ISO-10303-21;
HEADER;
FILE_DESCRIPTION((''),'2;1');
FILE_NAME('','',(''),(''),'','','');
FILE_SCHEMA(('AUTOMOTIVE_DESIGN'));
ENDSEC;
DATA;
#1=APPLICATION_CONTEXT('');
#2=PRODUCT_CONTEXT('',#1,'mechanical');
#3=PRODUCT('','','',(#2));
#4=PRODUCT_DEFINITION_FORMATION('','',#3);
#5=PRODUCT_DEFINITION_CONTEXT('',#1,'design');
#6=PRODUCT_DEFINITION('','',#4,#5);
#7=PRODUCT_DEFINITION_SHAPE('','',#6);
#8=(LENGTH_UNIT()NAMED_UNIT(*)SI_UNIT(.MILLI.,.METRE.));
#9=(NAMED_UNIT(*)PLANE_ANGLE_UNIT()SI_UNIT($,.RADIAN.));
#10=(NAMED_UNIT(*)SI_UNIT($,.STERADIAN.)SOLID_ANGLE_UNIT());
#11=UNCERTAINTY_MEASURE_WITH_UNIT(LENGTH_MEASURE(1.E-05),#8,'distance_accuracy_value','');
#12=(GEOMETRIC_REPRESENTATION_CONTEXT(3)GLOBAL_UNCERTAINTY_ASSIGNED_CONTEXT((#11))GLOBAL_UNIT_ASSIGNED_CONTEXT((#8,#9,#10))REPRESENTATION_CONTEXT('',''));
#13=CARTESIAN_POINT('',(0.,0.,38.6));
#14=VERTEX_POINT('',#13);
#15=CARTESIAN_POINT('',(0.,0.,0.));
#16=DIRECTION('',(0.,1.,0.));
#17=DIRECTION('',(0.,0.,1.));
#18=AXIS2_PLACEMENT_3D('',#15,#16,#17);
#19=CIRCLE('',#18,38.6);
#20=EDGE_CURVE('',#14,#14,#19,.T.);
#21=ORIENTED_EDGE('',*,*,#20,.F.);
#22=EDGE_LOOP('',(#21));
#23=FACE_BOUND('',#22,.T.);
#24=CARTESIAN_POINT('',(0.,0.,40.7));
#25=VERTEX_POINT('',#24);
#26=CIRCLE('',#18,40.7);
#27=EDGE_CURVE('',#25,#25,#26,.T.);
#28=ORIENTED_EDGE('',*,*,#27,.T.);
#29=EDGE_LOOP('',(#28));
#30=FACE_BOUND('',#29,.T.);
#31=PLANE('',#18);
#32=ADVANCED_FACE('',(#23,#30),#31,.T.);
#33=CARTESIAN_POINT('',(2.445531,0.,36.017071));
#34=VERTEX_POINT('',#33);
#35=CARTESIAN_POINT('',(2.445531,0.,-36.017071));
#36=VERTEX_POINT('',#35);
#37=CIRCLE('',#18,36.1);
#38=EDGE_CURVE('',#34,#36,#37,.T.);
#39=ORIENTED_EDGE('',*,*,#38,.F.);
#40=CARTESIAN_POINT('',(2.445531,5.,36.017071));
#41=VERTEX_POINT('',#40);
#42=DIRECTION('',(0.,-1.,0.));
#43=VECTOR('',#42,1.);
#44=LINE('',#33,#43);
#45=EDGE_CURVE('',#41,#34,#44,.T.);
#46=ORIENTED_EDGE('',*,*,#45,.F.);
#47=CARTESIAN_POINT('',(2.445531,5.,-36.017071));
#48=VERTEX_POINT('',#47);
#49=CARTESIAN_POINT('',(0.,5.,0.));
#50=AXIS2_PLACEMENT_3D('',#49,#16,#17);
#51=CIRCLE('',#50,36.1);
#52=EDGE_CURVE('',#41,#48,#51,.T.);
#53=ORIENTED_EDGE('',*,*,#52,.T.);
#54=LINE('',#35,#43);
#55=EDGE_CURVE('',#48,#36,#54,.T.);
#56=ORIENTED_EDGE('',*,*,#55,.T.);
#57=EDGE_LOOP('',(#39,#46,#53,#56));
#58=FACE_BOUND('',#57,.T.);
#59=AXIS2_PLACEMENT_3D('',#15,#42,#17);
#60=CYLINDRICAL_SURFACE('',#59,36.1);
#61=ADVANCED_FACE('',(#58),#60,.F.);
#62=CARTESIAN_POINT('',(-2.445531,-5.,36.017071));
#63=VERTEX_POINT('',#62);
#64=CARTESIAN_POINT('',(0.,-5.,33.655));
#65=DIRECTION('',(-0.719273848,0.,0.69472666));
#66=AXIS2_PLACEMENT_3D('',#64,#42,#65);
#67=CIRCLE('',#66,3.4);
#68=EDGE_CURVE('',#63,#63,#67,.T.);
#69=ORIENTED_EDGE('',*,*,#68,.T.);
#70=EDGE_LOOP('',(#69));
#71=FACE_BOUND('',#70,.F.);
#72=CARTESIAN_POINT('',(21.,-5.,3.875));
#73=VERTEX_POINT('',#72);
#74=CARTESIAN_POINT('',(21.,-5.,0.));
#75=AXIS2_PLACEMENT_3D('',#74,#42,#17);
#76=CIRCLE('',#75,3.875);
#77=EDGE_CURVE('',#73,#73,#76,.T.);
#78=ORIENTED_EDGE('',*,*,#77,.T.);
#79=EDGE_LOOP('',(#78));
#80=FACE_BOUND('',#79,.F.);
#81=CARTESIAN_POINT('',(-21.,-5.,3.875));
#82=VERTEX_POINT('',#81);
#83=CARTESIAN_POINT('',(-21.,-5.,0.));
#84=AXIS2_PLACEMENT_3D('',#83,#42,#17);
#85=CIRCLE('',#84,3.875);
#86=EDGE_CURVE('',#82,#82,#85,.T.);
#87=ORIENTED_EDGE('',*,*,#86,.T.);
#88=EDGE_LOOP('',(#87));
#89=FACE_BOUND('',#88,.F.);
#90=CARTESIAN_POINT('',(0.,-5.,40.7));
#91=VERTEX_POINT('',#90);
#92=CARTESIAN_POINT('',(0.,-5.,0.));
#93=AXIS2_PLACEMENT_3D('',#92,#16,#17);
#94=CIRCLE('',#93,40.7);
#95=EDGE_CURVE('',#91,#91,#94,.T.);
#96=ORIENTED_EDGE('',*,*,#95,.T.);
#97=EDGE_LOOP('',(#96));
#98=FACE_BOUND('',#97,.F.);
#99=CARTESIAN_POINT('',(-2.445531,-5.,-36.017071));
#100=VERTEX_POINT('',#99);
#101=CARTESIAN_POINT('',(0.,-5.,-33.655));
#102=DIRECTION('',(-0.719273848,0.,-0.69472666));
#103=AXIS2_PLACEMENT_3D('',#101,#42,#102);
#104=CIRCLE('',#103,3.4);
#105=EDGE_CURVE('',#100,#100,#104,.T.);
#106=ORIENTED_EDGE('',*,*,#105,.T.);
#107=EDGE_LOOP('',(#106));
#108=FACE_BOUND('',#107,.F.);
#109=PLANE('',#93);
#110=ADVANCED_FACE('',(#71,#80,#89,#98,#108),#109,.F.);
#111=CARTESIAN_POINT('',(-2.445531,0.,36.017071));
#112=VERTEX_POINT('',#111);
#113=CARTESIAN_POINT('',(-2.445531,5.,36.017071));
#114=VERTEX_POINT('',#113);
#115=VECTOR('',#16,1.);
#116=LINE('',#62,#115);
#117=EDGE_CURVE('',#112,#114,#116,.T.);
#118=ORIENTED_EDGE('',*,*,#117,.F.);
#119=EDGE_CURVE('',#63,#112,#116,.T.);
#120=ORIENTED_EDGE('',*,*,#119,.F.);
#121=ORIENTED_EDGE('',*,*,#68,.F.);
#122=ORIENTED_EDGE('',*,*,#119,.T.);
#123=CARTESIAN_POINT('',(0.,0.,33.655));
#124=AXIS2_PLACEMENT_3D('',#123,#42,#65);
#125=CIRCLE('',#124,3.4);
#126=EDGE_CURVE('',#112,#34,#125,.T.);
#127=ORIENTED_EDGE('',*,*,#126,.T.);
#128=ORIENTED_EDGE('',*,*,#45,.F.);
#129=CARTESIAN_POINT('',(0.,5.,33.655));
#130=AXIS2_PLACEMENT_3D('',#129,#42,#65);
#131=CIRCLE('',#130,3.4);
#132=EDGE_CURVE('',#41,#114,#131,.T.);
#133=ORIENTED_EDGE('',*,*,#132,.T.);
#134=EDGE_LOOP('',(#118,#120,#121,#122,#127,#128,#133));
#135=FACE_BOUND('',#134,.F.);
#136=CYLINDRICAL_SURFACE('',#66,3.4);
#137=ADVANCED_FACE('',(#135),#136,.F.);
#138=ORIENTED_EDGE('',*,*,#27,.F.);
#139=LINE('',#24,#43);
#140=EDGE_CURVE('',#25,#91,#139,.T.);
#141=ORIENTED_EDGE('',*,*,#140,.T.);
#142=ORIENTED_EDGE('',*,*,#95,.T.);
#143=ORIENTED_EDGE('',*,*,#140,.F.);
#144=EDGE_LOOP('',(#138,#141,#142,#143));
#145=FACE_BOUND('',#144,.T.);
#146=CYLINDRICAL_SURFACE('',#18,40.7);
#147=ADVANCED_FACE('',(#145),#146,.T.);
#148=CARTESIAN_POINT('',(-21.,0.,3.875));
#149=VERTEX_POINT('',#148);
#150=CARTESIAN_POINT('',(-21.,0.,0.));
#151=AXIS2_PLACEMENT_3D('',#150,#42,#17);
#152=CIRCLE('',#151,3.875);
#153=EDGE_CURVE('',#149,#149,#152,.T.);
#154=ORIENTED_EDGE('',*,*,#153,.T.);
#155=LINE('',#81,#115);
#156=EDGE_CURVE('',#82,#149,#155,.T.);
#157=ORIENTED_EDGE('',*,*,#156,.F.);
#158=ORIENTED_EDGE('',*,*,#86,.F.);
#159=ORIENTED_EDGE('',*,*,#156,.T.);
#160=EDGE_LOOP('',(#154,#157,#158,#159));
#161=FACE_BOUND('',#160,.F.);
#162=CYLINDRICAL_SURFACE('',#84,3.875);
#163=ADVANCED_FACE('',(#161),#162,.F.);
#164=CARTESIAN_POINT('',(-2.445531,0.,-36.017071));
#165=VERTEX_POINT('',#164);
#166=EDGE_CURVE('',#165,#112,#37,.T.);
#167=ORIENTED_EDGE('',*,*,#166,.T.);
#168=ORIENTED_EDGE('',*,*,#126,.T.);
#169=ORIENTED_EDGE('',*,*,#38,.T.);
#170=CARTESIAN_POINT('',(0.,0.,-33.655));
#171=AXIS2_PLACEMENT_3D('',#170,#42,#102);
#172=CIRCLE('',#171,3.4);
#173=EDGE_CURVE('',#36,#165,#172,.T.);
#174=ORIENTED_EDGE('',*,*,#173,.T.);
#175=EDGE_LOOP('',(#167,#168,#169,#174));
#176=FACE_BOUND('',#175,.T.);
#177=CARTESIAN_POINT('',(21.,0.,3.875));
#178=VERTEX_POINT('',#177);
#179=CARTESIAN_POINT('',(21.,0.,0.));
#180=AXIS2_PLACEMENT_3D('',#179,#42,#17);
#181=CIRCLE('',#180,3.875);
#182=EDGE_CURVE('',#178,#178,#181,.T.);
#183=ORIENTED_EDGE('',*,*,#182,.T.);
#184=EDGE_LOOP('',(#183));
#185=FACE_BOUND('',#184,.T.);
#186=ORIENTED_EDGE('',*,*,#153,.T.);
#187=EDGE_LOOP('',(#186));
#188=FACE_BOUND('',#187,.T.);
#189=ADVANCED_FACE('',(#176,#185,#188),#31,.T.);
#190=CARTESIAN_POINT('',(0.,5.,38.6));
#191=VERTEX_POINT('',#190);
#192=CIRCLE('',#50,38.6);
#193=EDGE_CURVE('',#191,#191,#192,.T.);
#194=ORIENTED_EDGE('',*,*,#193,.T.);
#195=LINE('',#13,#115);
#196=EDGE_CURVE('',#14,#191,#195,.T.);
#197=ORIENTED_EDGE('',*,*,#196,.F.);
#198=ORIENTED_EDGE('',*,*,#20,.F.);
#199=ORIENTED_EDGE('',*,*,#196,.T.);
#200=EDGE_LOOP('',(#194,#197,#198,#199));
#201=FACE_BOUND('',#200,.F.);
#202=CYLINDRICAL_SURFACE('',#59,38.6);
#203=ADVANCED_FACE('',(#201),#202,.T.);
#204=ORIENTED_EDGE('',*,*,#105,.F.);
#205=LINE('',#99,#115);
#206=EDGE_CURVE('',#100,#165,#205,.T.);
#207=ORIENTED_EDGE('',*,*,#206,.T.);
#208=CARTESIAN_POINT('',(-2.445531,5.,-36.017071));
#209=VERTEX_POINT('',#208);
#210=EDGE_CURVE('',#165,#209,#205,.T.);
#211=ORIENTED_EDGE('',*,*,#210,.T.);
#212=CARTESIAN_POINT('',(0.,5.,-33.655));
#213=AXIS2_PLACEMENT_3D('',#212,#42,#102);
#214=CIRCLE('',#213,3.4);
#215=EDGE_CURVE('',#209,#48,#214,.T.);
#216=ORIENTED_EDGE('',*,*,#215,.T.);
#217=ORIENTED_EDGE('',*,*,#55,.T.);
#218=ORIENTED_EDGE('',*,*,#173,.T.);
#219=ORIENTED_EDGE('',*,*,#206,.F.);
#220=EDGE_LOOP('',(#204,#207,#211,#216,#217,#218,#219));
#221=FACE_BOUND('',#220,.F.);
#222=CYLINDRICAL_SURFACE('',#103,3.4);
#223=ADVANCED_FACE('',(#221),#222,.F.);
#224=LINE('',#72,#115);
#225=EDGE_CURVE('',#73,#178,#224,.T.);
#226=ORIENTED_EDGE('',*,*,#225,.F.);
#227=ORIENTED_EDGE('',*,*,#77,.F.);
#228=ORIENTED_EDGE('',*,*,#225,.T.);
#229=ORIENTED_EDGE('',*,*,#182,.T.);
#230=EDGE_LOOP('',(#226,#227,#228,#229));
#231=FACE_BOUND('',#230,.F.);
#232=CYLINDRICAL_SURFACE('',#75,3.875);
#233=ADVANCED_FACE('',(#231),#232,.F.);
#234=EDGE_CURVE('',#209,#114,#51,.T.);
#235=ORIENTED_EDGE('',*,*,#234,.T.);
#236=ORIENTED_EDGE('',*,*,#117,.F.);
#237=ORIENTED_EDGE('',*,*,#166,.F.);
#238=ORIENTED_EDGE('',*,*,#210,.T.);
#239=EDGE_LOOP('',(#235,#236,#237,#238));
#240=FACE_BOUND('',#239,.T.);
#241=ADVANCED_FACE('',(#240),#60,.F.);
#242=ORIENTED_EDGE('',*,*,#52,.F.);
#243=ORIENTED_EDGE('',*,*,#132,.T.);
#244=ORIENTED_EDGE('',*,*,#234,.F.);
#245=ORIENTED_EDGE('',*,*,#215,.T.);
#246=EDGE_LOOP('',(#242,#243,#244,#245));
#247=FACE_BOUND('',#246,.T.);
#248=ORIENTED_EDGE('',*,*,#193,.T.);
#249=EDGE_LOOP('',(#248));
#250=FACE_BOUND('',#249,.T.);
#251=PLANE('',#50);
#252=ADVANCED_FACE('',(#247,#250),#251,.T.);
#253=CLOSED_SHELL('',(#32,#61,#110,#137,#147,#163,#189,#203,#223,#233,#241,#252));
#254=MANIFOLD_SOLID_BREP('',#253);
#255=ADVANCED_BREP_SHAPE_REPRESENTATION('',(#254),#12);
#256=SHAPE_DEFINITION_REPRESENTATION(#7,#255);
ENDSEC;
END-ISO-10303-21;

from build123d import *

# Parameters (mm, degrees)
SKETCH1_R               = 38.6
SKETCH1_R_2             = 36.1
BOSS_EXTRUDE1_DEPTH     = 5
SKETCH1_4_R             = 40.7
BOSS_EXTRUDE2_DEPTH     = 5
CUT_EXTRUDE1_DEPTH      = 59.420715504
CUT_EXTRUDE1_DEPTH_BACK = 59.420715504
SKETCH4_R               = 3.875
SKETCH4_R_2             = 3.4


with BuildPart() as part:
    # Sketch1 → Boss-Extrude1 (new body)
    with BuildSketch(Plane(origin=(0, 0, 0), x_dir=(1, 0, 0), z_dir=(0, 1, 0))):
        Circle(SKETCH1_R)
        Circle(SKETCH1_R_2, mode=Mode.SUBTRACT)
    extrude(amount=BOSS_EXTRUDE1_DEPTH)

    # Sketch1<4> → Boss-Extrude2 (add)
    with BuildSketch(Plane(origin=(0, 0, 0), x_dir=(1, 0, 0), z_dir=(0, 1, 0))):
        Circle(SKETCH1_4_R)
    extrude(amount=-BOSS_EXTRUDE2_DEPTH)

    # Sketch4 → Cut-Extrude1 (cut, two sides: drawn at the far end of the back side and taken through both)
    with BuildSketch(Plane.XZ.offset(5).offset(-CUT_EXTRUDE1_DEPTH_BACK)):
        with Locations((-21, 0)):
            Circle(SKETCH4_R)
        with Locations((21, 0)):
            Circle(SKETCH4_R)
        with Locations((0, 33.655)):
            Circle(SKETCH4_R_2)
        with Locations((0, -33.655)):
            Circle(SKETCH4_R_2)
    extrude(amount=CUT_EXTRUDE1_DEPTH + CUT_EXTRUDE1_DEPTH_BACK, mode=Mode.SUBTRACT)


solid = part.part
